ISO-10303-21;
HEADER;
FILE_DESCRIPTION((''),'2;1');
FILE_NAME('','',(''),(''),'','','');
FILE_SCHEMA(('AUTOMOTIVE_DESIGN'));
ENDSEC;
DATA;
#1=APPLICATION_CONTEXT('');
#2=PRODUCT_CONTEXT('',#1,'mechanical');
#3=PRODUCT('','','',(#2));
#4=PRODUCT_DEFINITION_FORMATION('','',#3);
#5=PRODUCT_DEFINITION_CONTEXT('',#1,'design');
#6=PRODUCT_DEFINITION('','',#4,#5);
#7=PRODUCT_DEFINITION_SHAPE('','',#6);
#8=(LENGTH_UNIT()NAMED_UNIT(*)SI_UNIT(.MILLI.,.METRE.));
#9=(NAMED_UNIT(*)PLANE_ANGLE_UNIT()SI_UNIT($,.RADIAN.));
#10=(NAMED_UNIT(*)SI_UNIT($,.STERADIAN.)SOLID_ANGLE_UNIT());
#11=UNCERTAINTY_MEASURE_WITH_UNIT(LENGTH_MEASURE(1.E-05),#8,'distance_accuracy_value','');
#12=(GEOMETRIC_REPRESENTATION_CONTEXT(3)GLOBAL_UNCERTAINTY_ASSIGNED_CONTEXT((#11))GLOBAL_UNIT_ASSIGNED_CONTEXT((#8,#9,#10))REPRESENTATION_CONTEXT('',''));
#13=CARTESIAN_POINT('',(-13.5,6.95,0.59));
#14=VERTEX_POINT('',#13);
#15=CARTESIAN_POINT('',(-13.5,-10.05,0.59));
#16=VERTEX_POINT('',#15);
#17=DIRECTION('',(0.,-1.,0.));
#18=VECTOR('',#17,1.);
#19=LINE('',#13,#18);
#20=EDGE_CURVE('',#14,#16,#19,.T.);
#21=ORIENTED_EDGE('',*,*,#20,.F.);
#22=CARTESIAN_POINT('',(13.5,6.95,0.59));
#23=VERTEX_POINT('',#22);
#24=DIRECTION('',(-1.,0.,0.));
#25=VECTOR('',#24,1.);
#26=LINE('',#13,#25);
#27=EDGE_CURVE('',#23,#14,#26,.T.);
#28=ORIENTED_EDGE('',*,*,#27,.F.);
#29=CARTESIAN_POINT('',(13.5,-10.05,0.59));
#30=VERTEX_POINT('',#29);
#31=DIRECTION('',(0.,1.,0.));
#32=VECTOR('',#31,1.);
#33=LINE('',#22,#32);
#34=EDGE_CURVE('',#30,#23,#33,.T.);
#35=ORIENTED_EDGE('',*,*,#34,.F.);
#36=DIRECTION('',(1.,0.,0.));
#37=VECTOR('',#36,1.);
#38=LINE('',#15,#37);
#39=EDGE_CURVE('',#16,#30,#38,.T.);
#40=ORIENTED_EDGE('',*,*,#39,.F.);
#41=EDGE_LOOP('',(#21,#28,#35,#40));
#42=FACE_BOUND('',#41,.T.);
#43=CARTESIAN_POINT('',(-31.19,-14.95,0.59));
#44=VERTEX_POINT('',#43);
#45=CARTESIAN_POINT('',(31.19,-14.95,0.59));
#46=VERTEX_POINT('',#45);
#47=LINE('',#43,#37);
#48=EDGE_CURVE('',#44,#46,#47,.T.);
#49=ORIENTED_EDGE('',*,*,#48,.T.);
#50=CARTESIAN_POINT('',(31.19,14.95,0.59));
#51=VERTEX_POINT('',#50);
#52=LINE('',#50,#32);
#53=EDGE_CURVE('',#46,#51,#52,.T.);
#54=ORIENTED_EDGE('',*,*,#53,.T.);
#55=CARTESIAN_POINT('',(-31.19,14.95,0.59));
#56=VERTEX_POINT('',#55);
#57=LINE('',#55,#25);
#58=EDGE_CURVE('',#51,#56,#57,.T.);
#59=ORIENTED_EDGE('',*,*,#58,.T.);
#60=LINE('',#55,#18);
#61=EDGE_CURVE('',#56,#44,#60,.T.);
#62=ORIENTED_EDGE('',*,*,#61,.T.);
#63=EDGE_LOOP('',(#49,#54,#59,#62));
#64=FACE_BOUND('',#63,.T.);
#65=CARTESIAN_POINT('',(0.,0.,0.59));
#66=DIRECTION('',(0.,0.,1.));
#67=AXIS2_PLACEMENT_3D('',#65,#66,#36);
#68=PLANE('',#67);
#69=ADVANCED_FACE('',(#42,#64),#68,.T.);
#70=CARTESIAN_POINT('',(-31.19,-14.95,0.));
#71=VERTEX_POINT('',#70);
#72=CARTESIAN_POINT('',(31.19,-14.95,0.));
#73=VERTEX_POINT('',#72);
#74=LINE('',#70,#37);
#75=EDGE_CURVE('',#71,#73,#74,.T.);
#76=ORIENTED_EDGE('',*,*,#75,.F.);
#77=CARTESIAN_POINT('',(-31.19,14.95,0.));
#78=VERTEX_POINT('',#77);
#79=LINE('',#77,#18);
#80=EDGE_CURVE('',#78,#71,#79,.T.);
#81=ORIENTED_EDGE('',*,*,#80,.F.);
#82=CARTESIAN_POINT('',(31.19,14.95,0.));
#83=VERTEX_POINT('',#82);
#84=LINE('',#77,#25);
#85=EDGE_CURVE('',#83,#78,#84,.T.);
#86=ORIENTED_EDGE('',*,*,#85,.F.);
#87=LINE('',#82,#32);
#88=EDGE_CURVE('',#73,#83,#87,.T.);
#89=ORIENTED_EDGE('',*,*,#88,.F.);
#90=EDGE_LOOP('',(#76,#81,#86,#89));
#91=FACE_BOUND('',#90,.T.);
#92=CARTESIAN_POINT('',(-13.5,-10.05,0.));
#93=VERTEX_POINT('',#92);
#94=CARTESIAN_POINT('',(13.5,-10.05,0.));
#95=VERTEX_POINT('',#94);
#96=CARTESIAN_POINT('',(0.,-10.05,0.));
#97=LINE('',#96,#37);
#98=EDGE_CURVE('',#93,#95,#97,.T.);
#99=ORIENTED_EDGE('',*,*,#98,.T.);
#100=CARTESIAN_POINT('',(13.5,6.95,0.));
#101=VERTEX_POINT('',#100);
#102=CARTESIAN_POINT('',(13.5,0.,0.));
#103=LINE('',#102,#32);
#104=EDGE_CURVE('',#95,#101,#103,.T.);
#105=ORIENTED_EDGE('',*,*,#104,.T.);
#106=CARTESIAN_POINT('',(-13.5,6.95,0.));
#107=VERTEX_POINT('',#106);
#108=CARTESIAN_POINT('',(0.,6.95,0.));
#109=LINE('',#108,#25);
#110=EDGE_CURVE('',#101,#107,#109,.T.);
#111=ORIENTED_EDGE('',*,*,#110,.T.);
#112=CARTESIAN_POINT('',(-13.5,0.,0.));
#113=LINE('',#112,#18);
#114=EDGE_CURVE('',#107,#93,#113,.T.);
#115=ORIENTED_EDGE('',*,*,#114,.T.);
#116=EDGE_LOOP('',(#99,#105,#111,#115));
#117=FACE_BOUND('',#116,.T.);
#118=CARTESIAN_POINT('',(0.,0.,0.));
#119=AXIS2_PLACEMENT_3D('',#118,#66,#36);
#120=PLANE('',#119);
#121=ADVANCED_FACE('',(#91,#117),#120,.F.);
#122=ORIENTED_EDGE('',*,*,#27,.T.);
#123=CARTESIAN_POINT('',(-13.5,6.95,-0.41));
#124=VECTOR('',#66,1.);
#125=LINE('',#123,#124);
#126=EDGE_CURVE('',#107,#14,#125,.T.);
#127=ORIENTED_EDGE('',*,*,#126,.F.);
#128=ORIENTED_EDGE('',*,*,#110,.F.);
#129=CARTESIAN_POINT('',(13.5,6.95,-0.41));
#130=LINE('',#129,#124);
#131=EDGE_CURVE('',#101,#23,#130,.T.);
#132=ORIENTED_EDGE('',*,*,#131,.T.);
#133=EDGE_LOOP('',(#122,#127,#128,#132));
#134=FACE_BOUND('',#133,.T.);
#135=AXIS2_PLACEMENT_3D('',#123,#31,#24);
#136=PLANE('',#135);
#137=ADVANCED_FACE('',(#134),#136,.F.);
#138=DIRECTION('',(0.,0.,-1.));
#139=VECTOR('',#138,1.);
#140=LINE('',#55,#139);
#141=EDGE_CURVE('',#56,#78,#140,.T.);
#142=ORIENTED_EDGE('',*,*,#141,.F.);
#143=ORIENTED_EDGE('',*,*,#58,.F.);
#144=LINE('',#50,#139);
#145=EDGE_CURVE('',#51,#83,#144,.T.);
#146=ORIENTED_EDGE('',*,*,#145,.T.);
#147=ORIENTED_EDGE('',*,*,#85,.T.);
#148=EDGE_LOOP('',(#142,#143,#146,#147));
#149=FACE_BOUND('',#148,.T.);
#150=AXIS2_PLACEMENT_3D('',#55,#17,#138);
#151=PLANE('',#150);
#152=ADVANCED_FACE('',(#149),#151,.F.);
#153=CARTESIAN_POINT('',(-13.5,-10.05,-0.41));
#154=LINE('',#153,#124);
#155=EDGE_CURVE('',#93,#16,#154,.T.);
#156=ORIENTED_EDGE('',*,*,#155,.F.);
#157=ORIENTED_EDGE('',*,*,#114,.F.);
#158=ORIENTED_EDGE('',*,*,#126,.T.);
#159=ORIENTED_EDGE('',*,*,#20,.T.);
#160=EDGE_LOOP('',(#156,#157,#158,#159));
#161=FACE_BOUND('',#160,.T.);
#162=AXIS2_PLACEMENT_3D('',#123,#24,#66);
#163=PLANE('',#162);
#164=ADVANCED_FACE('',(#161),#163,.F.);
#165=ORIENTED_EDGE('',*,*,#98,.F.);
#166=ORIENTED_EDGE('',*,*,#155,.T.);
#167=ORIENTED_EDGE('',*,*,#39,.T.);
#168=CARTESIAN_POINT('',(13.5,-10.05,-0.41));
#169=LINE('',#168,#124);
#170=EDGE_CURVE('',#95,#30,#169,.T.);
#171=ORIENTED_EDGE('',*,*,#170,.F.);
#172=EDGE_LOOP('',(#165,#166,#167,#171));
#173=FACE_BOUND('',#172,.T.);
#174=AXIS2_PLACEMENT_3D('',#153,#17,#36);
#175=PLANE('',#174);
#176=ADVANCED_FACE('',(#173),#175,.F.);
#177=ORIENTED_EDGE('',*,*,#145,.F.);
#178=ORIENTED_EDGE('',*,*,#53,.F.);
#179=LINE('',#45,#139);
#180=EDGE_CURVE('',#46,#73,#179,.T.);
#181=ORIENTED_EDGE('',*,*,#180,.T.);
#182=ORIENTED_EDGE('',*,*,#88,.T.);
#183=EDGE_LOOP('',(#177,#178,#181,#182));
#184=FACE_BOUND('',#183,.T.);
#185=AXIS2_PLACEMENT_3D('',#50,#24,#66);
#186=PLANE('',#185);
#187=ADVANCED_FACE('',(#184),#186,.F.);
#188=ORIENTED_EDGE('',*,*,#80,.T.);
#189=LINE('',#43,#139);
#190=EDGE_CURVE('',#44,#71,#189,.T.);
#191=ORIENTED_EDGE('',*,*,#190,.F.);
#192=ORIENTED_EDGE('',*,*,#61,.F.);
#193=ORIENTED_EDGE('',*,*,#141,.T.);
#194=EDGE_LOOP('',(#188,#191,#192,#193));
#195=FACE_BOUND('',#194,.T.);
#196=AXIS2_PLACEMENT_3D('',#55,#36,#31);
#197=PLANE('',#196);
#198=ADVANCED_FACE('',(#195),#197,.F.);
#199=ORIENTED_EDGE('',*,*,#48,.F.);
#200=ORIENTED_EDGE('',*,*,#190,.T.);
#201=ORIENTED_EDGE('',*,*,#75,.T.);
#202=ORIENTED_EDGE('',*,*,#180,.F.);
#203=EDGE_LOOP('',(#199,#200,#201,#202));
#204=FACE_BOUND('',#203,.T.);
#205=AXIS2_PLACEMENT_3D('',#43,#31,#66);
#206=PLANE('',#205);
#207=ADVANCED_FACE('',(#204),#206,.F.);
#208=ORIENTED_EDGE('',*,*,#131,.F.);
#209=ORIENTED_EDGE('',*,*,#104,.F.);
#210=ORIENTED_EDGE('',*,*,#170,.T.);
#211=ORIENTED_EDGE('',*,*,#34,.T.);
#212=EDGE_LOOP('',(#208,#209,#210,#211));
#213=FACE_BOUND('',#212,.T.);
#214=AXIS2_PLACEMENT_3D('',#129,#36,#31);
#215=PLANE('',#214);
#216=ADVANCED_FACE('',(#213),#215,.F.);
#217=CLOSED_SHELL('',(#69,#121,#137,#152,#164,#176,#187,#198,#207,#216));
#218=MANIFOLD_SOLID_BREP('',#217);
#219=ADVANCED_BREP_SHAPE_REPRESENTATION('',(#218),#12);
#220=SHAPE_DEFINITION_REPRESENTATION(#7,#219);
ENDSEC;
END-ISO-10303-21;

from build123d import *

# Parameters (mm, degrees)
SKETCH1_W           = 62.38
SKETCH1_H           = 29.9
BOSS_EXTRUDE1_DEPTH = 0.59
SKETCH2_W           = 27
SKETCH2_H           = 17
CUT_EXTRUDE1_DEPTH  = 1


with BuildPart() as part:
    # Sketch1 → Boss-Extrude1 (new body)
    with BuildSketch(Plane.XY):
        Rectangle(SKETCH1_W, SKETCH1_H)
    extrude(amount=BOSS_EXTRUDE1_DEPTH)

    # Sketch2 → Cut-Extrude1 (cut)
    with BuildSketch(Plane.XY.offset(0.59)):
        with Locations((0, -1.55)):
            Rectangle(SKETCH2_W, SKETCH2_H)
    extrude(amount=-CUT_EXTRUDE1_DEPTH, mode=Mode.SUBTRACT)


solid = part.part
